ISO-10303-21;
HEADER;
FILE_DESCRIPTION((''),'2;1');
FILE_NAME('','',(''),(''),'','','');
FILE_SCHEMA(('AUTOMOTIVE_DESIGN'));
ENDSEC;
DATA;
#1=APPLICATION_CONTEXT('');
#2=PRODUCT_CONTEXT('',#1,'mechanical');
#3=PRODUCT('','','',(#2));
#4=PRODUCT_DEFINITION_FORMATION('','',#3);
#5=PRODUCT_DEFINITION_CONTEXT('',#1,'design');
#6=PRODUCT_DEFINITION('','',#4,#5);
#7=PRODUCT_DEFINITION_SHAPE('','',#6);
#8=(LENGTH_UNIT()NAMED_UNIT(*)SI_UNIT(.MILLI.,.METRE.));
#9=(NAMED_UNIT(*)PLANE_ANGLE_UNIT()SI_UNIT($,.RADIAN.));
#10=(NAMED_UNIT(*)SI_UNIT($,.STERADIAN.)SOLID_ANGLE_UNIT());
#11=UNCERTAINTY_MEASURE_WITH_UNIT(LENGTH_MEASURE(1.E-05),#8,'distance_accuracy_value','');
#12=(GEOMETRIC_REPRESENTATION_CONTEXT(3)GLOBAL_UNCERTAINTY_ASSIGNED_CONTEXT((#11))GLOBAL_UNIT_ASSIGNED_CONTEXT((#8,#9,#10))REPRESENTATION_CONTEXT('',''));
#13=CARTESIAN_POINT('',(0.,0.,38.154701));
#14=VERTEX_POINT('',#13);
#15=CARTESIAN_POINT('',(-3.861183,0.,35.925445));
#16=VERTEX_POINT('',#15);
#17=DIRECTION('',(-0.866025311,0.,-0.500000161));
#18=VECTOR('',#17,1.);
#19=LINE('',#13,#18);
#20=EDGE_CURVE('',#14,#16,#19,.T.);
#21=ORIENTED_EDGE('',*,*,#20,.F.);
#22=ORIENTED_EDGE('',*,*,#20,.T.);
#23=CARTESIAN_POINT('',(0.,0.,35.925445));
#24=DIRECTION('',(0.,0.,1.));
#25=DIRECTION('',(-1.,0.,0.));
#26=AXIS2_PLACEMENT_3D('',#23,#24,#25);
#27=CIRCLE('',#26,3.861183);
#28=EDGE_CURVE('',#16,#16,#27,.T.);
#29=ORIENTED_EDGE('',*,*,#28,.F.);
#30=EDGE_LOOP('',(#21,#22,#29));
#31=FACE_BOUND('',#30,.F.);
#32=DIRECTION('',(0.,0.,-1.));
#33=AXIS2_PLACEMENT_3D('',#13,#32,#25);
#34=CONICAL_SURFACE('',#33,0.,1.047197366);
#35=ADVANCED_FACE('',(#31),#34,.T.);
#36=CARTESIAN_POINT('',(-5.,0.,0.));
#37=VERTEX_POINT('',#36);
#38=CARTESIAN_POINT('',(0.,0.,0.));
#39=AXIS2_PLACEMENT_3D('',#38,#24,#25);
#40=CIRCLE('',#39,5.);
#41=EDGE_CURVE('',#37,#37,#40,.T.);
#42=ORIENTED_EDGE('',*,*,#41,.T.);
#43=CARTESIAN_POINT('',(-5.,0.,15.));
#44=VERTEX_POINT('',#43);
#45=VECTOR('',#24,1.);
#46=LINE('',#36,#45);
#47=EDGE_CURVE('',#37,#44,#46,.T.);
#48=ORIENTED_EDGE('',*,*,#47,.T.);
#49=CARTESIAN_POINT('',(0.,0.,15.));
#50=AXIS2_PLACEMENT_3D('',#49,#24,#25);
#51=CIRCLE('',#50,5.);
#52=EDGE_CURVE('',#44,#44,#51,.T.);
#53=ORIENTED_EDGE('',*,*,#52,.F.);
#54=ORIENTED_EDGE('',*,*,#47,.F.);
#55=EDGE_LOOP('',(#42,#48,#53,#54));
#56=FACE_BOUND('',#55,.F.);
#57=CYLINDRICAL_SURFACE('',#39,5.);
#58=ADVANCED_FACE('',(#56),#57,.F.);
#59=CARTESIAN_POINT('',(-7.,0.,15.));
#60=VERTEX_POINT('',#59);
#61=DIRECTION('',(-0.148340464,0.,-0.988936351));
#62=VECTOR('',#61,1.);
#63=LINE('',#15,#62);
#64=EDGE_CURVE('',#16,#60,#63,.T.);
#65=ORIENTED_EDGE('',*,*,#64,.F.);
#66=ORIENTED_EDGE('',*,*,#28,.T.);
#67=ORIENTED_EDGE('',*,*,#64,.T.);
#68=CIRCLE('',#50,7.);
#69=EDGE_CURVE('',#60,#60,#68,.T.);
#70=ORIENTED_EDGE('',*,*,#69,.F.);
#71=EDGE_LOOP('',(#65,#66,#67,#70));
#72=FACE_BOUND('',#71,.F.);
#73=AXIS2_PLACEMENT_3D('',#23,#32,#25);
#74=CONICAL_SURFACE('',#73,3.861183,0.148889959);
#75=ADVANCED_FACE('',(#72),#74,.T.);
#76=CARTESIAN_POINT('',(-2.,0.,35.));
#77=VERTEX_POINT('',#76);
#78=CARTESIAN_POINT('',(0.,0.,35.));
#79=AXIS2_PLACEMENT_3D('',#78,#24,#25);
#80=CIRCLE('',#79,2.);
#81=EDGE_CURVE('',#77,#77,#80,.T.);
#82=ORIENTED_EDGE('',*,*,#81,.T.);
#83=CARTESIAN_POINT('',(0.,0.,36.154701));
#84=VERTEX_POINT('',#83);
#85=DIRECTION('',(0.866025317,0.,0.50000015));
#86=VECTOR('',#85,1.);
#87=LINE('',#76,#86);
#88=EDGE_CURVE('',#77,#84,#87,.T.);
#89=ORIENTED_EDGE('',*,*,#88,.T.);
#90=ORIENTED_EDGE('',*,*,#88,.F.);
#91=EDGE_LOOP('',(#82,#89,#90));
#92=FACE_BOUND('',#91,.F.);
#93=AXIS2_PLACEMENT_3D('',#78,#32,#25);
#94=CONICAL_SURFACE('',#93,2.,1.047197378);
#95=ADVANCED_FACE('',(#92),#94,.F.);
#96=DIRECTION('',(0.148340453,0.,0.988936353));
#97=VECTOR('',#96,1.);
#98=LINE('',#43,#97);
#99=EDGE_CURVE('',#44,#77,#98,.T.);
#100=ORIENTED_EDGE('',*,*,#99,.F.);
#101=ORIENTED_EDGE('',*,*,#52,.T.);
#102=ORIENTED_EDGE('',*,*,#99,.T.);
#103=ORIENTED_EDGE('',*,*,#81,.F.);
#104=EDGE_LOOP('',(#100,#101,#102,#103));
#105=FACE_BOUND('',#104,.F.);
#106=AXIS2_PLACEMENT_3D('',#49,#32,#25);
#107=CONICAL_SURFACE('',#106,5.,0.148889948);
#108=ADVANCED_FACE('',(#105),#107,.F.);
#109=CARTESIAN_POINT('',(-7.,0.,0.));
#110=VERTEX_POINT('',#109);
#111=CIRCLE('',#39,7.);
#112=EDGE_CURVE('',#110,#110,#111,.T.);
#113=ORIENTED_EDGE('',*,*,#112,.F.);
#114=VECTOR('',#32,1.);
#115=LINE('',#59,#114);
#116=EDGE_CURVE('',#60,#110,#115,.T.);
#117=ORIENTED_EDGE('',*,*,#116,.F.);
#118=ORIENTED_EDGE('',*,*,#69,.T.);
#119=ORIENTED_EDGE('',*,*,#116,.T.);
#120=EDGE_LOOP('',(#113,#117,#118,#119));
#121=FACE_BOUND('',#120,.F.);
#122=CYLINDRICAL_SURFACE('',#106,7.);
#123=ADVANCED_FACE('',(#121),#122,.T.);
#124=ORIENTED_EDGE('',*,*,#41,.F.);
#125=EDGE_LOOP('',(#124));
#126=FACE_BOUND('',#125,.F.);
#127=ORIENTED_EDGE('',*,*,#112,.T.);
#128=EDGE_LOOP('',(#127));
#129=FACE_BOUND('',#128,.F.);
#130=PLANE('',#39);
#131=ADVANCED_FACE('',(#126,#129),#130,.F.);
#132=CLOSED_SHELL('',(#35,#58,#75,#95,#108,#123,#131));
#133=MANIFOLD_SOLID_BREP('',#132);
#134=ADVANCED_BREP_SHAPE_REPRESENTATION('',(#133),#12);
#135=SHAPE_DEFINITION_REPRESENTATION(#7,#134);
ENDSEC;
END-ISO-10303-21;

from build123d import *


with BuildPart() as part:
    # Sketch → Revolution (revolve)
    with BuildSketch(Plane.XZ):
        Polygon((-3.861183, 35.925445), (-7, 15), (-7, 0), (-5, 0), (-5, 15), (-2, 35), (0, 36.154701), (0, 38.154701), align=None)
    revolve(axis=Axis((0, 0, 0), (0, 0, 1)))


solid = part.part
